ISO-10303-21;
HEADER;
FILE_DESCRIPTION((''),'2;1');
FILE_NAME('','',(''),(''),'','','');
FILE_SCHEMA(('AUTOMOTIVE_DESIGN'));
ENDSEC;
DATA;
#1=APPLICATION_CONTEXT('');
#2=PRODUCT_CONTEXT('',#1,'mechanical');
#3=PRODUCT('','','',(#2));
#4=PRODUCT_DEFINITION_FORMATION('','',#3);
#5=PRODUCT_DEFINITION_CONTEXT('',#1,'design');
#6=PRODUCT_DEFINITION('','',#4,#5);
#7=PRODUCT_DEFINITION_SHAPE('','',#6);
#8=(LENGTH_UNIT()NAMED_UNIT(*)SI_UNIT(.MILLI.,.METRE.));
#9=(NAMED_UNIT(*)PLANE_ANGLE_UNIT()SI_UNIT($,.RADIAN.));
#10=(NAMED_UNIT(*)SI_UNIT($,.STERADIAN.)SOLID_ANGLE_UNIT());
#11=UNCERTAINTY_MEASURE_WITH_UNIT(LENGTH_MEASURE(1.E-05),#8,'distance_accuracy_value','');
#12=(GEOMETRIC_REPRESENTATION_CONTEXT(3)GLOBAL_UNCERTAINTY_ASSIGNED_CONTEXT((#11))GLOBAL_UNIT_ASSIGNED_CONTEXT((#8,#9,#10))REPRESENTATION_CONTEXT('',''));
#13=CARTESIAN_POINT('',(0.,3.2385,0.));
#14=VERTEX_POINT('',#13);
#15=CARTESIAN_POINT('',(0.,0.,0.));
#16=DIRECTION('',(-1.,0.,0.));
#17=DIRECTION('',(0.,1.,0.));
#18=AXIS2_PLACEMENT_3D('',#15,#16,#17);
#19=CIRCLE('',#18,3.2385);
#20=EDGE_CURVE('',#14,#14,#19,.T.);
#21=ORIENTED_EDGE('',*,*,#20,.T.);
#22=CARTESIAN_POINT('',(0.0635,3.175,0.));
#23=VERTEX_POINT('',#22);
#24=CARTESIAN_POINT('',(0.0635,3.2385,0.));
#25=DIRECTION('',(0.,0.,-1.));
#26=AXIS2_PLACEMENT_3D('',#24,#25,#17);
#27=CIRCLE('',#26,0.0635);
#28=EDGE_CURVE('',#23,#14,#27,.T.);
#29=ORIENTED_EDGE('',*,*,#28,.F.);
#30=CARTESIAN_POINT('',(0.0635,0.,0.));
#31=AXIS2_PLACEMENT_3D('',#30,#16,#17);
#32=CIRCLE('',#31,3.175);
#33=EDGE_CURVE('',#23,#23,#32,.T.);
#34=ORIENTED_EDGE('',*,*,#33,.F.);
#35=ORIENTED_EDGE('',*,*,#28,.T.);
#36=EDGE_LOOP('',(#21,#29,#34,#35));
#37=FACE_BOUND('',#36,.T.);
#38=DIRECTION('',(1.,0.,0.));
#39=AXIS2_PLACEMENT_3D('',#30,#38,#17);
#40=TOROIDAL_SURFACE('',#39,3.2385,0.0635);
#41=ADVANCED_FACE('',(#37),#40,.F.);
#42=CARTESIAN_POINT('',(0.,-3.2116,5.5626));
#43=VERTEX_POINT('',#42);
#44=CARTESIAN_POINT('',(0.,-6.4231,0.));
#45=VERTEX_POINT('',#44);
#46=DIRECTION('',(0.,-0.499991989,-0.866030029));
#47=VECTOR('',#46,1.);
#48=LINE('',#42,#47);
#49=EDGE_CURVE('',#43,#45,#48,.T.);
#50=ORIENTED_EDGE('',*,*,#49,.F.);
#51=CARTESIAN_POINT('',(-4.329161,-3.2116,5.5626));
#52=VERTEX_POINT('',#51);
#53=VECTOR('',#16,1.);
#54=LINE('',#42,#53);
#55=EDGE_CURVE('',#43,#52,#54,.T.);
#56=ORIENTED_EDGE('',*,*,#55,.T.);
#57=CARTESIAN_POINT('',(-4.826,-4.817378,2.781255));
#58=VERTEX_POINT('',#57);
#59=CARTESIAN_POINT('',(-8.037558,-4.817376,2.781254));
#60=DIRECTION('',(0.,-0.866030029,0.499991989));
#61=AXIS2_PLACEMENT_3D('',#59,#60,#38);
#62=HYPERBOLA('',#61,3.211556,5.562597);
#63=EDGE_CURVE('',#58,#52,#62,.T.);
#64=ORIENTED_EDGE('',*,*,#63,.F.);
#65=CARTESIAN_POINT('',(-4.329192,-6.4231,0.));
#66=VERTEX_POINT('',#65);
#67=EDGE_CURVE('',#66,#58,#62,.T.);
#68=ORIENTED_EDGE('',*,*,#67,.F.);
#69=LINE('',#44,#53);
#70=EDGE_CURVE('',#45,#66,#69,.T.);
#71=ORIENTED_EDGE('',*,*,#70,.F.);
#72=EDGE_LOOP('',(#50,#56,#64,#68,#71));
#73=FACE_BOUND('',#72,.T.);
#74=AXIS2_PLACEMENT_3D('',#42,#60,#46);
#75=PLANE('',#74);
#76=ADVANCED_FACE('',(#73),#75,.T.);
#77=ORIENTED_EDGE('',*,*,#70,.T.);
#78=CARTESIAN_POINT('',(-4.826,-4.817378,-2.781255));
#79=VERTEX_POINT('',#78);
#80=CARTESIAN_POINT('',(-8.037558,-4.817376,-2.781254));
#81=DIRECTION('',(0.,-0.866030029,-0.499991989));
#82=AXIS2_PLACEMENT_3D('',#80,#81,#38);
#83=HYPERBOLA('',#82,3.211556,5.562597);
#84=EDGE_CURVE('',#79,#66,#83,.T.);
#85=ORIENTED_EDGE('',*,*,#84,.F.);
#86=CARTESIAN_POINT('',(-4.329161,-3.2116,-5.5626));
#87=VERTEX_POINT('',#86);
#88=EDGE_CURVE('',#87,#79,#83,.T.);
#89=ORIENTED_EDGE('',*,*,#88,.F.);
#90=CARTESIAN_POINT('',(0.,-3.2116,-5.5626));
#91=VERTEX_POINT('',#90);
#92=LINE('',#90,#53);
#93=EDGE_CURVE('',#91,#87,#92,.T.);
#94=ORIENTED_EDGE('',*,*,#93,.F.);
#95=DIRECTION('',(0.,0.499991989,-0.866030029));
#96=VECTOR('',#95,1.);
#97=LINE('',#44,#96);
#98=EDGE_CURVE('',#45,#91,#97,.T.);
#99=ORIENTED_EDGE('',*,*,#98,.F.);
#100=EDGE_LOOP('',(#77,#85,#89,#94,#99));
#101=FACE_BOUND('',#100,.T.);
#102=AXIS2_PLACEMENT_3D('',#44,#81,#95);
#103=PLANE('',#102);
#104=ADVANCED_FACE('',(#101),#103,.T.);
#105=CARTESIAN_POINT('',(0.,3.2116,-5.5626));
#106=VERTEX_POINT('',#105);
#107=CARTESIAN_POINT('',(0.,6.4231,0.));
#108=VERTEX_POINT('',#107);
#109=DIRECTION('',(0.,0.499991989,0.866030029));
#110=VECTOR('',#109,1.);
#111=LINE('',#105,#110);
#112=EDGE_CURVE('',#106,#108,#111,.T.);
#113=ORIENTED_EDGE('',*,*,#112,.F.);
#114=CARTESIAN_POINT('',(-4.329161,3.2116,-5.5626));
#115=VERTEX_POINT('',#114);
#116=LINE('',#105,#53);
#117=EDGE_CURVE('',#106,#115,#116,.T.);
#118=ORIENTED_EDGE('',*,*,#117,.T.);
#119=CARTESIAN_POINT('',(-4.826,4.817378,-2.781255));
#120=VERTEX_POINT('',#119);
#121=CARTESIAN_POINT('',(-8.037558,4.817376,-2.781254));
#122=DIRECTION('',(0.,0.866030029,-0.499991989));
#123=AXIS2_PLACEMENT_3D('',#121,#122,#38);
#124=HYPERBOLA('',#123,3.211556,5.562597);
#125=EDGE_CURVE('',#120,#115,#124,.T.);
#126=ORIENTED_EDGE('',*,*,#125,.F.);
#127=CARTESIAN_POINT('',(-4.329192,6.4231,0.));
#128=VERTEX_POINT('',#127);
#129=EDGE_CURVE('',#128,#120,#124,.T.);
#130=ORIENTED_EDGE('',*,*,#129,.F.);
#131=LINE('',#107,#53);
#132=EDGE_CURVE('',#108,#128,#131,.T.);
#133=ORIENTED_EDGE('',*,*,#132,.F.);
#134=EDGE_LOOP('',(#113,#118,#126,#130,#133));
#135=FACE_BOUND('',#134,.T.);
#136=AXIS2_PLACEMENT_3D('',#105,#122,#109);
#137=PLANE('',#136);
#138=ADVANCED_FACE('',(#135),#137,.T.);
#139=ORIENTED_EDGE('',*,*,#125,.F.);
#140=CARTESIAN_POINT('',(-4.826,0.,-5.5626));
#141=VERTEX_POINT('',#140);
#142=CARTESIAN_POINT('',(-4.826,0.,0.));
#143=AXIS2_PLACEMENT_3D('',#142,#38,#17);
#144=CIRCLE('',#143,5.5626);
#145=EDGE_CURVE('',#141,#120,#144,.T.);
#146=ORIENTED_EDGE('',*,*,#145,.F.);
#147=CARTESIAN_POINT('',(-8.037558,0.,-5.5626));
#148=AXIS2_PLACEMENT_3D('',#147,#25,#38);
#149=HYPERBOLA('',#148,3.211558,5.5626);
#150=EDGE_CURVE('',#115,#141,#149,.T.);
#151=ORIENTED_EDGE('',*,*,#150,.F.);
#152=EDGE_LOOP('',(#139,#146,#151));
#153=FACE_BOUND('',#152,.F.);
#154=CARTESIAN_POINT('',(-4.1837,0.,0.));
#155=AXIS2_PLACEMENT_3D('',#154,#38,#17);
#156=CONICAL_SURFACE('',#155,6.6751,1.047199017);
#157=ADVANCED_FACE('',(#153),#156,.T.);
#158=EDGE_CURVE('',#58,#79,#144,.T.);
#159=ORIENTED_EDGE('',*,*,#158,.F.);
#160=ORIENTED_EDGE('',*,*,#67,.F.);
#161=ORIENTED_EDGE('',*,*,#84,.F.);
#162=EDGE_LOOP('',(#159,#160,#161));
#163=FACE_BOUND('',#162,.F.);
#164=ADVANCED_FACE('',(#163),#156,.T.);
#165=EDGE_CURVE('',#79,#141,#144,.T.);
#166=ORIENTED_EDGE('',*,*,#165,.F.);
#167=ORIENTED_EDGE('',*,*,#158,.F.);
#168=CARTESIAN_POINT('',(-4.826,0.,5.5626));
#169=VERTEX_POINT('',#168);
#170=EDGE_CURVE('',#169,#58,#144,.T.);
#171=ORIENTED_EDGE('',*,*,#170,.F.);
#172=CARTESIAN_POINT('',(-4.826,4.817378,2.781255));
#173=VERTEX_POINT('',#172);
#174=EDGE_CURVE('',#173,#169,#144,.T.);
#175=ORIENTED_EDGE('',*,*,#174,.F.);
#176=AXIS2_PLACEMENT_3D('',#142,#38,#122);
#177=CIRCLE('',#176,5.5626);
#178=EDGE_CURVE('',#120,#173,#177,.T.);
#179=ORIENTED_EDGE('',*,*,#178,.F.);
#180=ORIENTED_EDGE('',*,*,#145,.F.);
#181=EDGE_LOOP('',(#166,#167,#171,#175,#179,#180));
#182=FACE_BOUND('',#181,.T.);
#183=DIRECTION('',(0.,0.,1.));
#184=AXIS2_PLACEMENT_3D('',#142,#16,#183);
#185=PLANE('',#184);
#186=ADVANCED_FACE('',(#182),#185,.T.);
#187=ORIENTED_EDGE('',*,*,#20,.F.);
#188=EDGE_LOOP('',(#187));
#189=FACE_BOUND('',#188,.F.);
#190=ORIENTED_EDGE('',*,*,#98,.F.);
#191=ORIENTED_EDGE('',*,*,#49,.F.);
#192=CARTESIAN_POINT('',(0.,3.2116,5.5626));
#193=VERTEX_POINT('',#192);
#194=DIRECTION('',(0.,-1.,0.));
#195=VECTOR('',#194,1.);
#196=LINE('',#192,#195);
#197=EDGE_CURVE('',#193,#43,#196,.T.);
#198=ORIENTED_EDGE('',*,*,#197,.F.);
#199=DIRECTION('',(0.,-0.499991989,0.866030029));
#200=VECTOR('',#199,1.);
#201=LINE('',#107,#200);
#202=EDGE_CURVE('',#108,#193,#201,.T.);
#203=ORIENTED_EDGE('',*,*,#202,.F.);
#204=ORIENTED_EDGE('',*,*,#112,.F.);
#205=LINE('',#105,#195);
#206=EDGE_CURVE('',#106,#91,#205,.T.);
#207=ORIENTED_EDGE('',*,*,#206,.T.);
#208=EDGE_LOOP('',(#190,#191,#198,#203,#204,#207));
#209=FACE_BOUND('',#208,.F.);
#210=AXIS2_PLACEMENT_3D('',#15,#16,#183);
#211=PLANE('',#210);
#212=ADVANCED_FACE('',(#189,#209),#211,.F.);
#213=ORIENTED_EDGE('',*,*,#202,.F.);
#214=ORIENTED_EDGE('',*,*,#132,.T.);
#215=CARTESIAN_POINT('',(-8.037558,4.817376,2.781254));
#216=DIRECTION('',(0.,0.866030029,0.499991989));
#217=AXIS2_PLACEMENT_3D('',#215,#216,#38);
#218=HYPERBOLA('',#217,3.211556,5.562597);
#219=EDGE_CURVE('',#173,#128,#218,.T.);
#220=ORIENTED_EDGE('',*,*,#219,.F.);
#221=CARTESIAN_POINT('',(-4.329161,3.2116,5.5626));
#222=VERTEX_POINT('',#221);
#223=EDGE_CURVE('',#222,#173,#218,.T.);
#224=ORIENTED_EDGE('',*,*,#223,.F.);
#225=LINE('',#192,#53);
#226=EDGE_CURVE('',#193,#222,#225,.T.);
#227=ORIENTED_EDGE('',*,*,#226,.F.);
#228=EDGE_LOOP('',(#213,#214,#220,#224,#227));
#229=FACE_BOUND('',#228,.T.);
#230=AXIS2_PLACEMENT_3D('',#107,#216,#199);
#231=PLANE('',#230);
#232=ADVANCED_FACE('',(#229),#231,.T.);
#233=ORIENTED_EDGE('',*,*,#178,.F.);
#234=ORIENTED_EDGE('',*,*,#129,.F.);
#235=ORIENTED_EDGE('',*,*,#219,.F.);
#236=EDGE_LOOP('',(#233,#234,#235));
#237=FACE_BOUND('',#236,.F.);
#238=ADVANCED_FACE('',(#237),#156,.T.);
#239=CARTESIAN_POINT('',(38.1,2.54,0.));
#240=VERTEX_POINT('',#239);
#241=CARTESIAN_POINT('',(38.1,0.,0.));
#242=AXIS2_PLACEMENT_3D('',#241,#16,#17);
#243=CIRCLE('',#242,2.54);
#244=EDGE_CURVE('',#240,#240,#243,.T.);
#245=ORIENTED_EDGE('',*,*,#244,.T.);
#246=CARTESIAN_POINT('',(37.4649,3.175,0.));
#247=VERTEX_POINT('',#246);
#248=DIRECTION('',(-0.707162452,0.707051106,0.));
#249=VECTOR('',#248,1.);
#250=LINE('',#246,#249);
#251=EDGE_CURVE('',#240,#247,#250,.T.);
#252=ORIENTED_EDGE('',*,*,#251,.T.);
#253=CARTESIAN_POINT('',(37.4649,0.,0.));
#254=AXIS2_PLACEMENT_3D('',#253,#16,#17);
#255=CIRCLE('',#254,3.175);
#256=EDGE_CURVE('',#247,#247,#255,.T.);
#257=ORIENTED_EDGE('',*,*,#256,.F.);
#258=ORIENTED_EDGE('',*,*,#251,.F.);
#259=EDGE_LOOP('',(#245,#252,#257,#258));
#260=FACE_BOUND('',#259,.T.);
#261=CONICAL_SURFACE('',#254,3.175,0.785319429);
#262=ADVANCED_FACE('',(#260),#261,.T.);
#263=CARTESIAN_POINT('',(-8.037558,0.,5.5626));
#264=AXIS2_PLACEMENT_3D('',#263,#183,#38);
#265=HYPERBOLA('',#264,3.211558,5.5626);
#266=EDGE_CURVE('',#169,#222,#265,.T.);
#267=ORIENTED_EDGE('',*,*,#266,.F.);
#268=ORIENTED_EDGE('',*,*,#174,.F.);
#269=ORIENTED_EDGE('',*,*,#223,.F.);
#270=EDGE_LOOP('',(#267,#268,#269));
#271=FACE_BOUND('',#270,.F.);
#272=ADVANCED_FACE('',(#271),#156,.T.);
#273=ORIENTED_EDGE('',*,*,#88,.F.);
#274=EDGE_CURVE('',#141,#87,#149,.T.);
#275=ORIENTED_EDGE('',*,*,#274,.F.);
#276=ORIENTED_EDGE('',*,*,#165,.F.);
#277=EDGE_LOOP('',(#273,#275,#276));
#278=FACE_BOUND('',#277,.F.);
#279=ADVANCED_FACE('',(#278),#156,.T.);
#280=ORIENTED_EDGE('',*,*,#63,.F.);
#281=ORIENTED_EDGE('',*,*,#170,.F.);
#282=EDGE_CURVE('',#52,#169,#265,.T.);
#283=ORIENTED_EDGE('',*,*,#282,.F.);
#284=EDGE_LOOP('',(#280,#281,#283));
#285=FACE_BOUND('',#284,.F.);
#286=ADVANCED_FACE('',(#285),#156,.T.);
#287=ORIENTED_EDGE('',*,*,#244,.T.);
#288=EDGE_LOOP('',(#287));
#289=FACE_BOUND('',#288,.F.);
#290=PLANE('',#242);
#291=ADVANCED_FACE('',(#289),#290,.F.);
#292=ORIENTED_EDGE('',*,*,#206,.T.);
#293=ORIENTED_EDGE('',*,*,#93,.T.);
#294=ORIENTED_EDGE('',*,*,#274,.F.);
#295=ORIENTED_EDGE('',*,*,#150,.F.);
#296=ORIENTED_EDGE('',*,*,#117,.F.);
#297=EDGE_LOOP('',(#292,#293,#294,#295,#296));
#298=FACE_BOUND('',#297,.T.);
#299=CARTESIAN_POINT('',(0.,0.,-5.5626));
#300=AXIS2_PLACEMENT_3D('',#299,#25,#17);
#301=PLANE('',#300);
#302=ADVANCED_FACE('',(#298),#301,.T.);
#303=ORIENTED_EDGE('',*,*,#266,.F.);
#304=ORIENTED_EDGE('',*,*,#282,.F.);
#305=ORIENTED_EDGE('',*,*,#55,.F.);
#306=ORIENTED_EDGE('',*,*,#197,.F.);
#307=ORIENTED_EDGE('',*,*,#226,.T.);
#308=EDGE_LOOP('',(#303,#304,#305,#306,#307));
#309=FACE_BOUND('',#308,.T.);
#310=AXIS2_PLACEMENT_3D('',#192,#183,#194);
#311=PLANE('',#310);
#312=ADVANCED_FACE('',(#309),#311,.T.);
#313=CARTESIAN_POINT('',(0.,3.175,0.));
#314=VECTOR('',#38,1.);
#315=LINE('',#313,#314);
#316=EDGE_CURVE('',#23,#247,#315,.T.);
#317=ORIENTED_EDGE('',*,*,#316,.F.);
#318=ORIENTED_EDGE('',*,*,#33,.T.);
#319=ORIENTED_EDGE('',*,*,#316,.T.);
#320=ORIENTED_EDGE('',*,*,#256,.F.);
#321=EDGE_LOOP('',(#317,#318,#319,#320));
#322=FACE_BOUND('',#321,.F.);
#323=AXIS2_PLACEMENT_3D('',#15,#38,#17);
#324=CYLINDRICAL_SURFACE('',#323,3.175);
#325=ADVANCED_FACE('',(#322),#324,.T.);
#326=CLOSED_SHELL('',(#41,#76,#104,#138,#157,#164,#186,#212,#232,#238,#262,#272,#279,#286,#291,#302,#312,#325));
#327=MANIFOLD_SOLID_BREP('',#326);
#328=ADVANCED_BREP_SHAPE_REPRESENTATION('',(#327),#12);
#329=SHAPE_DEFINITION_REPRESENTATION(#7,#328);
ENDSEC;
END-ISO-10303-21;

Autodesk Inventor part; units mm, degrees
ref_plane "YZ Plane" through (0, 0, 0) normal (1, 0, 0) x (0, 1, 0)
ref_plane "XZ Plane" through (0, 0, 0) normal (0, 1, 0) x (-1, 0, 0)
sketch "Sketch1" plane through (0, 0, 0) normal (0, 0, 1) x (1, 0, 0)
  line L0 (0, 3.175) -> (38.1, 3.175)
  line L1 (38.1, 3.175) -> (38.1, 0)
  line L2 (38.1, 0) -> (0, 0)
  line L3 (-7.62, 0) -> (45.72, 0) projected
  line L4 (0, -0.635) -> (0, 3.81) projected
  line L5 (0, 3.175) -> (0, 0)
  dimension "d2" = 6.35
  dimension "d59" = 38.1
revolve "Body" add sketch "Sketch1" angle 360 about axis through (38.1, 0, 0) along (-1, 0, 0)
sketch "Sketch2" plane through (0, 0, 0) normal (-1, 0, 0) x (0, 0, 1)
  line L0 (0, 6.4231) -> (5.5626, 3.2116)
  line L1 (5.5626, 3.2116) -> (5.5626, -3.2116)
  line L2 (5.5626, -3.2116) -> (0, -6.4231)
  line L3 (0, -6.4231) -> (-5.5626, -3.2116)
  line L4 (-5.5626, -3.2116) -> (-5.5626, 3.2116)
  line L5 (-5.5626, 3.2116) -> (0, 6.4231)
  line L6 (-7.7876, 0) -> (7.7876, 0) projected
  line L7 (0, 8.9924) -> (0, -8.9924) projected
  point P0 (0, 0)
  point P1 (0, 0)
  dimension "d11" = 11.1252
extrude "Head" add sketch "Sketch2" along normal blind 4.826
sketch "Sketch4" plane through (0, 0, 0) normal (0, 0, 1) x (1, 0, 0)
  line L0 (-4.1837, 6.6751) -> (-4.826, 5.5626)
  line L1 (-1.1, 0) -> (-0.234, 0)
  line L2 (-5.7444, 0) -> (0.6844, 0) projected
  line L3 (-4.826, 6.6751) -> (-4.1837, 6.6751)
  line L4 (-4.826, 5.5626) -> (-4.826, 6.6751)
  line L5 (0, 8.0101) -> (0, -1.335) projected
  dimension "d65" = 11.1252
  dimension "d67" = 30
  dimension "d68" = 13.3502
  dimension "d69" = 4.826
revolve "Chamfer1" cut sketch "Sketch4" angle 360 about axis through (-1.1, 0, 0) along (1, 0, 0)
thread "Thread" size "1/4-20 UNC" class "2A" standard "ANSI Unified Screw Threads" length 32.385
chamfer "Chamfer2" distance 0.635 distance2 0.6351 1 edges at (38.1, -3.175, 0) measured on face at (38.1, -0.8017, 1.6073)
fillet "Fillet" radius 0.0635 1 edges at (0, -3.175, 0)
ref_plane "Work Plane1" through (1.525, 0, 0) normal (0, 0, 1) x (1, 0, 0)
equation "\"d2\" = GD"
equation "\"d59\" = NLG"
equation "\"d11\" = SW"
equation "\"d3\" = KOH"
equation "\"d15\" = GEL"
equation "\"d6\" = -0.5 * SPD + 0.5 * GD"
equation "\"d71\" = RR"
equation "\"d65\" = SW"
equation "\"d67\" = ANG1"
equation "\"d68\" = 1.2 * SW"
equation "\"d69\" = KOH"
equation "\"NLG\" = 38.1"
equation "\"GD\" = NND"
equation "\"BDM\" = NND"
equation "\"KOH\" = 4.826"
equation "\"GEL\" = 32.385"
equation "\"SW\" = 11.1252"
equation "\"SW0\" = SW"
equation "\"SPD\" = GD1"
equation "\"SD2\" = NND"
equation "\"SD\" = 0"
equation "\"ANG1\" = 30deg"
equation "\"GAL\" = 0.635"
equation "\"GUL\" = GAL"
equation "\"RR\" = 0.0635"
equation "\"RR1\" = 0.1"
equation "\"GD1\" = 5.08"
equation "\"THREADDIA\" = 6.35"
equation "\"SDH\" = SW"
equation "\"TOA\" = 30deg"
equation "\"NND\" = 6.35"
equation "\"E0\" = 1.155 * SW"
properties part number "ANSI B18.6.3 - 1/4-20 UNC - 1.5" material "Steel, Mild"
